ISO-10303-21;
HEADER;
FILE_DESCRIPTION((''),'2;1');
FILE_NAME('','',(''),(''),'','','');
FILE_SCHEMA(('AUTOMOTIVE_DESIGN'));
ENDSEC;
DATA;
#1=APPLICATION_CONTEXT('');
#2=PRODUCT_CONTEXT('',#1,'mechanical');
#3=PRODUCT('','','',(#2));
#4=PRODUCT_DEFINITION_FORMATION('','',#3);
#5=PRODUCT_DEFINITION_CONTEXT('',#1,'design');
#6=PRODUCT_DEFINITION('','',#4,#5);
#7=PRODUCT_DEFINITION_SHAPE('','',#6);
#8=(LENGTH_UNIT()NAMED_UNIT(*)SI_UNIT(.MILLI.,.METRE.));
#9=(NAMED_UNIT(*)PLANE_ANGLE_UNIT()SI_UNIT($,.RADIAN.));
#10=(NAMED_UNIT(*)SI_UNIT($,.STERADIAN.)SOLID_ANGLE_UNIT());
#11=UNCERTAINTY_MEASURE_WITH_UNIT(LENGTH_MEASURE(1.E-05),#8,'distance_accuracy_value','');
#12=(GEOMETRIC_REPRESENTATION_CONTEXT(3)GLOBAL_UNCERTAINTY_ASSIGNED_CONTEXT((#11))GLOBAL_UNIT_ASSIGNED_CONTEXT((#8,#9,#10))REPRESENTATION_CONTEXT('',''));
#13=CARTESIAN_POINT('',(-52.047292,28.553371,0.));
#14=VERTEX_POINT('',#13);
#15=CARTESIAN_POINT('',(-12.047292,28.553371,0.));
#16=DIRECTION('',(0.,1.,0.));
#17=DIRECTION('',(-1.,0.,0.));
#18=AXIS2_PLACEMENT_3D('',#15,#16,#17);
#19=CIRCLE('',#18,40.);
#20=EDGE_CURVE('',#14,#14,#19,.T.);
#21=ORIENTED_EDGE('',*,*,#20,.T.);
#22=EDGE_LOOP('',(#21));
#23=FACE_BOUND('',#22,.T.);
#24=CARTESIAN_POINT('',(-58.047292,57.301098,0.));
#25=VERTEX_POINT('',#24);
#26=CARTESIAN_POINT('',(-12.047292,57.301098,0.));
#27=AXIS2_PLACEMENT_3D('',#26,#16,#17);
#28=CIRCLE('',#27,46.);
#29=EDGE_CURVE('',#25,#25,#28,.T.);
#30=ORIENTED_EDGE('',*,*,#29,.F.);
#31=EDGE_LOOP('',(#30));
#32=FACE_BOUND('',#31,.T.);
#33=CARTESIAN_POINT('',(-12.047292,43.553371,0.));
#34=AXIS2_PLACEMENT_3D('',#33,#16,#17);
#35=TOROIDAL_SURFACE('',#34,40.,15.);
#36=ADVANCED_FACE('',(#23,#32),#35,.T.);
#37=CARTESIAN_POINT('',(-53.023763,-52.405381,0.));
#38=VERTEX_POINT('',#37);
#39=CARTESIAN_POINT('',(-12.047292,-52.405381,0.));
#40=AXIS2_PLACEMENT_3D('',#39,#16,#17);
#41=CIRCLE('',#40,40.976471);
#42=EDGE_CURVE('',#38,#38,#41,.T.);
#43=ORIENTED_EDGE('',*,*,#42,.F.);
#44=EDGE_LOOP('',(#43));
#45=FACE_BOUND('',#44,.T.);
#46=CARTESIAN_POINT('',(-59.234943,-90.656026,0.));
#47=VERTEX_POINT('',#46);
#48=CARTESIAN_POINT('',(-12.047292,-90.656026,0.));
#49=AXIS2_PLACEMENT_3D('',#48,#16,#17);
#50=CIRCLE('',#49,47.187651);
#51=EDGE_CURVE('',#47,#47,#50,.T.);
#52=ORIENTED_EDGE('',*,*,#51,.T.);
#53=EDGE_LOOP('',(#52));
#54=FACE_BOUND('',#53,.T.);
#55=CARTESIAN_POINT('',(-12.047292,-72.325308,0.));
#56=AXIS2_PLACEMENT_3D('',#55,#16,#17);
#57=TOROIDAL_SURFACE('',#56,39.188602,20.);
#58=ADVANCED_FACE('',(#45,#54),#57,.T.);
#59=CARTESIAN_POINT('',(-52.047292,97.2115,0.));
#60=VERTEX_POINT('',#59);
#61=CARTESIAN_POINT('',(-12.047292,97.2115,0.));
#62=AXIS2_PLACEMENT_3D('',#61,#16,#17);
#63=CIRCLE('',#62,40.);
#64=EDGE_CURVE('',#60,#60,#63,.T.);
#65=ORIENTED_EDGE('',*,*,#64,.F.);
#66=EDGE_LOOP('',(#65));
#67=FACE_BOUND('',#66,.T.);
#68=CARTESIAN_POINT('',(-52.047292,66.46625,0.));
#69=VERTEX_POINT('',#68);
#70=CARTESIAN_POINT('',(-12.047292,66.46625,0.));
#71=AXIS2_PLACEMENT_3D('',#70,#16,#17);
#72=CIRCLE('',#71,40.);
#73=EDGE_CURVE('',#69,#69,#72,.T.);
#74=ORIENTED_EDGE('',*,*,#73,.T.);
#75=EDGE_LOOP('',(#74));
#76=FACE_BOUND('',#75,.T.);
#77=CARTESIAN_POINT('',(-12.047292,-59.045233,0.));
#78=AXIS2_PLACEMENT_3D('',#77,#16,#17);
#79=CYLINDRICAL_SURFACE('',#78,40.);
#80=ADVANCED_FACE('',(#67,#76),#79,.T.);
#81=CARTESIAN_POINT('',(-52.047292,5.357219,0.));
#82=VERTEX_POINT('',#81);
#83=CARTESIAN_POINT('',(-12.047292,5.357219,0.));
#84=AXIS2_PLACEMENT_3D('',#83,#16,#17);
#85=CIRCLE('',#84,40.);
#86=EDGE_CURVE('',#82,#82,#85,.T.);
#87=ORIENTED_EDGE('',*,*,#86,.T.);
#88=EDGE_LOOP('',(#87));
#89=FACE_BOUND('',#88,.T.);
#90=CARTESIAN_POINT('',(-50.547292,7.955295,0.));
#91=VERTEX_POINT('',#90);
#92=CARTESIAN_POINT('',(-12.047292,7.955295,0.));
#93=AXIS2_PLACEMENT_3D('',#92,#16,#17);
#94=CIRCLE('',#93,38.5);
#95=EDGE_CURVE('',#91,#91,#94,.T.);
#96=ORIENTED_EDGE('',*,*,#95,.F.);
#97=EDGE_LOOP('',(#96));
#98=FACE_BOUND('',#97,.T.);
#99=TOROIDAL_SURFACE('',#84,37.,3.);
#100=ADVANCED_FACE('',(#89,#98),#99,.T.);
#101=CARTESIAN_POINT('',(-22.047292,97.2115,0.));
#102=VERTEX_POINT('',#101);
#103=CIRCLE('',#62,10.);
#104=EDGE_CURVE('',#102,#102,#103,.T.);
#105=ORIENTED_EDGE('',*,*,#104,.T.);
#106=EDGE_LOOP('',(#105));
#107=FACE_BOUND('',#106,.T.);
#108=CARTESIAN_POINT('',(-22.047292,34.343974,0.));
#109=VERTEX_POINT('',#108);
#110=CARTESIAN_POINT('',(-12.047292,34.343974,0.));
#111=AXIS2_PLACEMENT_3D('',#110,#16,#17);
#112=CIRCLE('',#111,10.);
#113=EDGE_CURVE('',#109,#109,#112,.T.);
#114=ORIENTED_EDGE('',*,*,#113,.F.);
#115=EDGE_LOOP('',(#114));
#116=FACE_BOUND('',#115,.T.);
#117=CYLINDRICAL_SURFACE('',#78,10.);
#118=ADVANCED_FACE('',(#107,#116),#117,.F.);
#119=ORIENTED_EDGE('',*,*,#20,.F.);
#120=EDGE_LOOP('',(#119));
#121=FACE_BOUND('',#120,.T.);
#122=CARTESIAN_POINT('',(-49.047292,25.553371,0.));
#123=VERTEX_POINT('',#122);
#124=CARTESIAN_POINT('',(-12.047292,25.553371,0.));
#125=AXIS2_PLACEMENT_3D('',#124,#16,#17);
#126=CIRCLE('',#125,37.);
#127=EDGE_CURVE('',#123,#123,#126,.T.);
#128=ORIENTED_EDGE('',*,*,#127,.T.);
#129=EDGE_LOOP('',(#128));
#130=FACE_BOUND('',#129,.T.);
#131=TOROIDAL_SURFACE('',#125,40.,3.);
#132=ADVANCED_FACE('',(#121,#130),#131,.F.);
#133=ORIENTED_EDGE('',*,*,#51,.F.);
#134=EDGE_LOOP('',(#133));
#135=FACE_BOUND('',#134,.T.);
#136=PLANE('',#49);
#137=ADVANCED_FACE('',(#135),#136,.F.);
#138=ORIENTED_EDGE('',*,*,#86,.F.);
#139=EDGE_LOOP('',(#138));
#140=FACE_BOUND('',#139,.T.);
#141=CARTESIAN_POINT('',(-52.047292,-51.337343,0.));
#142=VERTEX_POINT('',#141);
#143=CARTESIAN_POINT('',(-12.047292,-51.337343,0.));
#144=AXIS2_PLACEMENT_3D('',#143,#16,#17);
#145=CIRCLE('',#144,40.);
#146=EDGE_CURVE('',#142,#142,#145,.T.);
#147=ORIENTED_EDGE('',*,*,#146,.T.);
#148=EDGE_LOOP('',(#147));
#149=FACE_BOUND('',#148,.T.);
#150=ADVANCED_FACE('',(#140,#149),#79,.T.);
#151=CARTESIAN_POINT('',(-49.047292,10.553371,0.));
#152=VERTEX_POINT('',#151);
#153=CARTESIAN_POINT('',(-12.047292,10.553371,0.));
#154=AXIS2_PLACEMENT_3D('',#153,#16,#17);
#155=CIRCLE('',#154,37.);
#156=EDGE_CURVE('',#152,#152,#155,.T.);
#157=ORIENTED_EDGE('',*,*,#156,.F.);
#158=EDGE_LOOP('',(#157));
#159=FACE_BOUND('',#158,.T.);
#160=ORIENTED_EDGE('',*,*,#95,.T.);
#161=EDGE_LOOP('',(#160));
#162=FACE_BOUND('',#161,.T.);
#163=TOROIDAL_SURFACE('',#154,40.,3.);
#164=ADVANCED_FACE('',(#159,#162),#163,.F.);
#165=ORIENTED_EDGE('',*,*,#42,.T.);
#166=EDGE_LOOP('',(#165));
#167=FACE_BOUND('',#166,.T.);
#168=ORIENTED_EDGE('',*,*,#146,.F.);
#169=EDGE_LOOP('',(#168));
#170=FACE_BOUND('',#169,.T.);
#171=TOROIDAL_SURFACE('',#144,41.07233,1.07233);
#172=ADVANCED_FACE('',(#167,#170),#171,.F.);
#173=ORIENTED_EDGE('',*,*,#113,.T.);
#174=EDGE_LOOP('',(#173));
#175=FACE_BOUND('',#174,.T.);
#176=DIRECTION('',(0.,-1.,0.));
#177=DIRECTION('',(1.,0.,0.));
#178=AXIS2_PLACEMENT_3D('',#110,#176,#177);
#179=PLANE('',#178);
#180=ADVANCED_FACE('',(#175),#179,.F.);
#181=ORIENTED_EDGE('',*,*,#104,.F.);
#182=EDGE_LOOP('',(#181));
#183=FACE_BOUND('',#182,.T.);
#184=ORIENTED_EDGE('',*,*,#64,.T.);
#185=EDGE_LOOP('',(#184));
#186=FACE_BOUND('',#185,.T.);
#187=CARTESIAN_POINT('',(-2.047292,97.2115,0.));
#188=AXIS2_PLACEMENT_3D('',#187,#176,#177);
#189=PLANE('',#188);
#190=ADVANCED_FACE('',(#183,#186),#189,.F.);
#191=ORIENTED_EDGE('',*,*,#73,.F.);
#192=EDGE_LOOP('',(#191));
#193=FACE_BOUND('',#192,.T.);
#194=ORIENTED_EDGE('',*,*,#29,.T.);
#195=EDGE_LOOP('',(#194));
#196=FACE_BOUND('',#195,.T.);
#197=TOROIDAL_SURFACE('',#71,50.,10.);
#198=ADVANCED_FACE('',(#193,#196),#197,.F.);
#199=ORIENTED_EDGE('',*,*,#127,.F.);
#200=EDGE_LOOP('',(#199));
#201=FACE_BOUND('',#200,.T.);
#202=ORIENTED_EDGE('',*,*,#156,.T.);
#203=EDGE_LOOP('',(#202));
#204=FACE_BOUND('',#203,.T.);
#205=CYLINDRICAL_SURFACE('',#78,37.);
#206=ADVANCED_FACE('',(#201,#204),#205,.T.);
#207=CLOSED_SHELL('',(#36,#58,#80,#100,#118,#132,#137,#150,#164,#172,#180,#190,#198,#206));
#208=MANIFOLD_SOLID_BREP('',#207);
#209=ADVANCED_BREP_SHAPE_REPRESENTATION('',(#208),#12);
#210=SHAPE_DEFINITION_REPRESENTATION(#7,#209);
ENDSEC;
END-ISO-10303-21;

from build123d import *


with BuildPart() as part:
    # Sketch1 → Revolve2 (revolve)
    with BuildSketch(Plane.XY, mode=Mode.PRIVATE) as revolve2_sk:
        with BuildLine():
            Line((-12.047292047, 34.343974042), (-12.047292047, -90.656025958))
            Line((-12.047292047, -90.656025958), (35.140359276, -90.656025958))
            ThreePointArc((35.140359276, -90.656025958), (46.882736016, -69.11967468), (28.92917895, -52.405380602))
            ThreePointArc((28.92917895, -52.405380602), (28.233620187, -52.060910839), (27.952707953, -51.337343477))
            Line((27.952707953, -51.337343477), (27.952707953, 5.357218831))
            ThreePointArc((27.952707953, 5.357218831), (27.550784164, 6.857218831), (26.452707953, 7.955295042))
            ThreePointArc((26.452707953, 7.955295042), (25.354631742, 9.053371254), (24.952707953, 10.553371254))
            Line((24.952707953, 10.553371254), (24.952707953, 25.553371254))
            ThreePointArc((24.952707953, 25.553371254), (25.83138761, 27.674691597), (27.952707953, 28.553371254))
            ThreePointArc((27.952707953, 28.553371254), (42.636302647, 40.488726598), (33.952707953, 57.301098339))
            ThreePointArc((33.952707953, 57.301098339), (29.586107688, 60.989024154), (27.952707953, 66.466249729))
            Line((27.952707953, 66.466249729), (27.952707953, 97.211500144))
            Line((27.952707953, 97.211500144), (-2.047292047, 97.211500144))
            Line((-2.047292047, 97.211500144), (-2.047292047, 34.343974042))
            Line((-2.047292047, 34.343974042), (-12.047292047, 34.343974042))
        make_face()
    revolve(revolve2_sk.sketch.rotate(Axis((-12.047292047, -59.045233094, 0), (0, -1, 0)), 180), axis=Axis((-12.047292047, -59.045233094, 0), (0, -1, 0)))


solid = part.part
